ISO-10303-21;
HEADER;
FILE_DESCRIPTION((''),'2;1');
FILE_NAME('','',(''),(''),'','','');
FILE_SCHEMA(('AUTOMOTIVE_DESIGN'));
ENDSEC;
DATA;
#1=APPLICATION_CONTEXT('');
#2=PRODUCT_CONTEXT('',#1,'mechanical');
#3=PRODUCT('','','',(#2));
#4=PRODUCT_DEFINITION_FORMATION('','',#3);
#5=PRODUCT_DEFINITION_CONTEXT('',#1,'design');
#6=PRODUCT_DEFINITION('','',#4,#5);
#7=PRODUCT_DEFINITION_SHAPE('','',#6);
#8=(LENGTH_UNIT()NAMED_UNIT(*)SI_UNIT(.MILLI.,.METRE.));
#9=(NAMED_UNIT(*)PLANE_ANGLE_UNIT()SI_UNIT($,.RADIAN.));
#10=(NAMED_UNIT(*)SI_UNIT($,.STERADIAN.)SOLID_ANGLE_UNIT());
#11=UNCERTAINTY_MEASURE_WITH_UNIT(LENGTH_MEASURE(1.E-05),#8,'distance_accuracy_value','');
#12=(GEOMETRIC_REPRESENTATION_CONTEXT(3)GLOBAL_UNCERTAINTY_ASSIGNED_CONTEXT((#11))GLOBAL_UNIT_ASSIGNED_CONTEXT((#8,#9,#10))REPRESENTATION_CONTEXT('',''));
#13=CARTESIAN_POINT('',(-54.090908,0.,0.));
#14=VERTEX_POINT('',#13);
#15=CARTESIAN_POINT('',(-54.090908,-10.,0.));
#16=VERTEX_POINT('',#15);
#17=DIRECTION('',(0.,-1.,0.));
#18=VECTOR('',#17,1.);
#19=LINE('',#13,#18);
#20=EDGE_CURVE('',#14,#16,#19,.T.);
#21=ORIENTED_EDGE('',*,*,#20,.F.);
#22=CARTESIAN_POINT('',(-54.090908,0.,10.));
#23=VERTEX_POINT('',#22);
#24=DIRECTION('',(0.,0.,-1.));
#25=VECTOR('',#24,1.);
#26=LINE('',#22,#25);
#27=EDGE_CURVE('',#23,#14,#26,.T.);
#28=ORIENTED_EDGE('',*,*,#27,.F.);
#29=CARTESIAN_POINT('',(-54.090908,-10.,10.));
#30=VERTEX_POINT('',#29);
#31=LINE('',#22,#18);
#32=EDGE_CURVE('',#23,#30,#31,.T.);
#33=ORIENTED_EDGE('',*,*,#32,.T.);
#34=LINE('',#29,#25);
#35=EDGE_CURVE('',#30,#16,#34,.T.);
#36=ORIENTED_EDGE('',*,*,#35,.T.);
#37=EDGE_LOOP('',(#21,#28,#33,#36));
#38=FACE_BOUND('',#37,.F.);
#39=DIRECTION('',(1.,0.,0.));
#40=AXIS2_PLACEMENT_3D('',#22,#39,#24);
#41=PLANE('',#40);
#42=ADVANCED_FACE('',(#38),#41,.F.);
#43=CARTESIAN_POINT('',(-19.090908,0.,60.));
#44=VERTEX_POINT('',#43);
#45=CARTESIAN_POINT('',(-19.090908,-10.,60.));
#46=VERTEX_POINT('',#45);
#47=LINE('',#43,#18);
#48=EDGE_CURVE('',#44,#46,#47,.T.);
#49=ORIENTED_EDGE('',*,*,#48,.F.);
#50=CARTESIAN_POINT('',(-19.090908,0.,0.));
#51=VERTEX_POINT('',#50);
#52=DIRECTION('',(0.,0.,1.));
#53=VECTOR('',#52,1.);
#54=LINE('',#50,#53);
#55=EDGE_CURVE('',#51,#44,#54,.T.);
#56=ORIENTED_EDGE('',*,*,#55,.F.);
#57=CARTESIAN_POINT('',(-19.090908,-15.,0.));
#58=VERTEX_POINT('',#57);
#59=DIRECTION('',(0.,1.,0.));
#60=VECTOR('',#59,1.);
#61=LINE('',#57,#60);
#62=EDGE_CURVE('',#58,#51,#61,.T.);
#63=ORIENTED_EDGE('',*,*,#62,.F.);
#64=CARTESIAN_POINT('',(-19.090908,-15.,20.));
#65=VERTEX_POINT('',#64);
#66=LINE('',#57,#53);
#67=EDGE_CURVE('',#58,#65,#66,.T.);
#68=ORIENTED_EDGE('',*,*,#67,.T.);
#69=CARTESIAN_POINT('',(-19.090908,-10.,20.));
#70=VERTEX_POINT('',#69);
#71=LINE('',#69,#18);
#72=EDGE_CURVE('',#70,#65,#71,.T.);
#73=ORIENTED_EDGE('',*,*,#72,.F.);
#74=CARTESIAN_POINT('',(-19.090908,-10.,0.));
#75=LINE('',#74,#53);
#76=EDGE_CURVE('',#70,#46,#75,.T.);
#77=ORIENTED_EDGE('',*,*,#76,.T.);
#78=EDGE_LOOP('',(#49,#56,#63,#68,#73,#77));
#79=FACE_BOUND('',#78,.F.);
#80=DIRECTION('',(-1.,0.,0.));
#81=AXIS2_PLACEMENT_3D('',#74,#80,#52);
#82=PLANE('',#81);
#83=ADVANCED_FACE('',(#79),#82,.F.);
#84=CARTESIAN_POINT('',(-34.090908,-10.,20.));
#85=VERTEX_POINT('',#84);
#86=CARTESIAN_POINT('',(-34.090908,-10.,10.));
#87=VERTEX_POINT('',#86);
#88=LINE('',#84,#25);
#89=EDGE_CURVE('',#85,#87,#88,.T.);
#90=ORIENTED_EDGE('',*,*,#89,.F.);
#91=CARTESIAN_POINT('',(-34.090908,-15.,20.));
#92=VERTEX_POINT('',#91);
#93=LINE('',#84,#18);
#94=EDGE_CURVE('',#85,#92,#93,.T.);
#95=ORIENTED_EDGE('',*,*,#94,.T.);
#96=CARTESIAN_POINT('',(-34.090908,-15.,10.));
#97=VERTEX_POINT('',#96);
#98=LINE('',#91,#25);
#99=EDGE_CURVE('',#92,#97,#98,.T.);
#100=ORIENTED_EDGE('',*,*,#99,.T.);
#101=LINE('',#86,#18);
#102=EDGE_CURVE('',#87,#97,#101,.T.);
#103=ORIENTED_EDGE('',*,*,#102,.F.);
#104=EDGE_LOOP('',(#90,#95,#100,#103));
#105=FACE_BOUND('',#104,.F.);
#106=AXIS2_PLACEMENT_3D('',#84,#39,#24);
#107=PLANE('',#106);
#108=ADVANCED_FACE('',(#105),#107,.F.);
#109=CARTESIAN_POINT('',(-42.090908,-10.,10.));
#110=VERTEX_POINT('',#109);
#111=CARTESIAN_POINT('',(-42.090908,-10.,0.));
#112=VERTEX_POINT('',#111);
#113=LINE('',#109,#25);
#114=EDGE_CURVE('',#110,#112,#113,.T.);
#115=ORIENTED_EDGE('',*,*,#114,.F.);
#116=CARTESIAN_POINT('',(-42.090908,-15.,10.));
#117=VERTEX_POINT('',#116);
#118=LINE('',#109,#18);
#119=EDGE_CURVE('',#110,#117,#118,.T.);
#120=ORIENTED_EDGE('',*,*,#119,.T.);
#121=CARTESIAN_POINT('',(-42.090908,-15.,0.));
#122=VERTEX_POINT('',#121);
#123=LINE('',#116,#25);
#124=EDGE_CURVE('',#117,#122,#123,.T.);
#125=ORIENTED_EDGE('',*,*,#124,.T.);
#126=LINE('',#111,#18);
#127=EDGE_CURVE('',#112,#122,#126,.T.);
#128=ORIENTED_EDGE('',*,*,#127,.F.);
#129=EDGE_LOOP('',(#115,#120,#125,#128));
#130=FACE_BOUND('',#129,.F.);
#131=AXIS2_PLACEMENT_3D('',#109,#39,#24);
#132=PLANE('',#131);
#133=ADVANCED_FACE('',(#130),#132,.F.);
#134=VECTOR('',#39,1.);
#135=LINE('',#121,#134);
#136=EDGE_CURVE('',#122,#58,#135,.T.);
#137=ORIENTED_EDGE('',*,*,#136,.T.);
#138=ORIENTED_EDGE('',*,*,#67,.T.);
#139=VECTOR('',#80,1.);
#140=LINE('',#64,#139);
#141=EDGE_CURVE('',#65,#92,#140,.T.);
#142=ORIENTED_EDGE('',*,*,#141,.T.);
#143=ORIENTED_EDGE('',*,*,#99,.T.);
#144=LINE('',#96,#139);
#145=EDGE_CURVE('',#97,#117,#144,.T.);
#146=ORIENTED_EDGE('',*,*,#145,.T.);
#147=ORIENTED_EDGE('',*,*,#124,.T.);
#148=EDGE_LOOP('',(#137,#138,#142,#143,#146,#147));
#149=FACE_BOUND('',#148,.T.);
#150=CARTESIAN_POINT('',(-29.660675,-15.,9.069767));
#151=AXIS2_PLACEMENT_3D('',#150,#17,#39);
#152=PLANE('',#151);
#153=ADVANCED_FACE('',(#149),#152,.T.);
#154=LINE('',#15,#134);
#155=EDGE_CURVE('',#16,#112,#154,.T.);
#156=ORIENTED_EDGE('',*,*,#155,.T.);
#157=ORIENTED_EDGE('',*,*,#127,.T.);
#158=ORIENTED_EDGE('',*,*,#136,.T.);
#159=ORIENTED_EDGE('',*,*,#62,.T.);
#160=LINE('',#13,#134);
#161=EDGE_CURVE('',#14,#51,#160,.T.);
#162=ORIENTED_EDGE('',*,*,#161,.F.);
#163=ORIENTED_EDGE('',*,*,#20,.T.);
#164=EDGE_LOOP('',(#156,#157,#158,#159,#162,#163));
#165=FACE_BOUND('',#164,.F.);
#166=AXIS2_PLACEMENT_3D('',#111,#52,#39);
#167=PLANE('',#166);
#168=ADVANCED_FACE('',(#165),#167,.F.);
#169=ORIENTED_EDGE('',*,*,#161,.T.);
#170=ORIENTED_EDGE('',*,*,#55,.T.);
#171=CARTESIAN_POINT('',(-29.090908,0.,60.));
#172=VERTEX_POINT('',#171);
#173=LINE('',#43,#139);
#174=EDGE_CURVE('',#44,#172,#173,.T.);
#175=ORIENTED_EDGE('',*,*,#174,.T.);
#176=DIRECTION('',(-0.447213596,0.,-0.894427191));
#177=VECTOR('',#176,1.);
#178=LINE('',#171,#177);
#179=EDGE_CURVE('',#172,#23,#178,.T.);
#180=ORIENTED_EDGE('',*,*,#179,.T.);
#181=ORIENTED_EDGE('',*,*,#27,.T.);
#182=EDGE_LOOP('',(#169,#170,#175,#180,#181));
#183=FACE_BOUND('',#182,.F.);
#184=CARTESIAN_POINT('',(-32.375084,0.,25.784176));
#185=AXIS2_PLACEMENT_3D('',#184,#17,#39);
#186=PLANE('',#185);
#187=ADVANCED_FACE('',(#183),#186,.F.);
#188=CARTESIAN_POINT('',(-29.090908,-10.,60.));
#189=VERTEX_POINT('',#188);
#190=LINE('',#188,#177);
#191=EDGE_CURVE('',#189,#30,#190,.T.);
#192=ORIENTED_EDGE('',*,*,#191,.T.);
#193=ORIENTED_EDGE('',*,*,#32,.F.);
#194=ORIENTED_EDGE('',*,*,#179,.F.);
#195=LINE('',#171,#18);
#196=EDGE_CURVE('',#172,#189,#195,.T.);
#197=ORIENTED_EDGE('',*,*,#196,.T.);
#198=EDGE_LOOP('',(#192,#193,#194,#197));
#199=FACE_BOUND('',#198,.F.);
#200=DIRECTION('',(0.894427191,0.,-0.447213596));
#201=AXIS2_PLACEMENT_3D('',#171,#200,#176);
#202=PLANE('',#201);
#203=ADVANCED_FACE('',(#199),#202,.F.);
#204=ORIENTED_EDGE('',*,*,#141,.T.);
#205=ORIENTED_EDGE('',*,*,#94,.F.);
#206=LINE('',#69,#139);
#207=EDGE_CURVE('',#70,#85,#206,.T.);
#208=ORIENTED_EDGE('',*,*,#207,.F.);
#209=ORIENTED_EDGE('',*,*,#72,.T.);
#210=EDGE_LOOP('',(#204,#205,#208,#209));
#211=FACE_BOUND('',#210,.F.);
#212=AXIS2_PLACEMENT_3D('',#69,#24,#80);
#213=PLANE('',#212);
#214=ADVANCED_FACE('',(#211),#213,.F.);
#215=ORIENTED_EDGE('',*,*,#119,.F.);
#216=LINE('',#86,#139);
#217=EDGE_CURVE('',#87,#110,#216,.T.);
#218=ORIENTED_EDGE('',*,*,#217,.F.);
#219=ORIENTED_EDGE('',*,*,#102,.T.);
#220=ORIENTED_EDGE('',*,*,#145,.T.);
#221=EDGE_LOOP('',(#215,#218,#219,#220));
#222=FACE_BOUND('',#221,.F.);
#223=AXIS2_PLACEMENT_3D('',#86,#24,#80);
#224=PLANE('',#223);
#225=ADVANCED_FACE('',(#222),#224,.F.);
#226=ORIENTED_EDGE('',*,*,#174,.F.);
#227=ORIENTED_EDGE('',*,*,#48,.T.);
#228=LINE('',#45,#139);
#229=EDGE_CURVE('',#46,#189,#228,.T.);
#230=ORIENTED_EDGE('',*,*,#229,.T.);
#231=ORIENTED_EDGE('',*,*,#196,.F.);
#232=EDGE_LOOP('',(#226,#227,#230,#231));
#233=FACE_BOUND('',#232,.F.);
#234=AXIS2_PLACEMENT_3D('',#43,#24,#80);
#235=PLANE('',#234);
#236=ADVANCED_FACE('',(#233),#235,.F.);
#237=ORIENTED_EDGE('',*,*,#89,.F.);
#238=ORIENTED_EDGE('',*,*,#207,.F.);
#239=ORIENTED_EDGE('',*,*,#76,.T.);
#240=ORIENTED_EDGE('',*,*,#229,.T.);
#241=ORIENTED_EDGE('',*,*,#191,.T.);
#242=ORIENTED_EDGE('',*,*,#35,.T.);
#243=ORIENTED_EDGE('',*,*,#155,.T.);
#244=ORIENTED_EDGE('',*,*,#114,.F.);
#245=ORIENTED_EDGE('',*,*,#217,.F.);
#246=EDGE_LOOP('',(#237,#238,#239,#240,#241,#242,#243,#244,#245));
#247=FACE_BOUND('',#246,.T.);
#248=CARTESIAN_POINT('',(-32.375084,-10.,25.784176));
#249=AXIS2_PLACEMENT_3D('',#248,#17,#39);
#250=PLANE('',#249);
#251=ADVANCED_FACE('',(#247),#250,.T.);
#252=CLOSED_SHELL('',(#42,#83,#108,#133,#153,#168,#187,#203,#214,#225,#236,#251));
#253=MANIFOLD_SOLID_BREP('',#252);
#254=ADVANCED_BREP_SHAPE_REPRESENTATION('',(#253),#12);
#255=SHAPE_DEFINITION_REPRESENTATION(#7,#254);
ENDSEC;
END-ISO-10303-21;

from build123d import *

# Parameters (mm, degrees)
F1_DEPTH = 10
F3_DEPTH = 5


with BuildPart() as f1:
    # F0 (on Front) → F1 (new body)
    with BuildSketch(Plane.XZ):
        Polygon((-54.090908, 0), (-19.090908, 0), (-19.090908, 60), (-29.090908, 60), (-54.090908, 10), align=None)
    extrude(amount=F1_DEPTH)

    # F2 (on face) → F3 (join)
    with BuildSketch(Plane.XZ.offset(10)):
        Polygon((-19.090908, 0), (-19.090908, 20), (-34.090908, 20), (-34.090908, 10), (-42.090908, 10), (-42.090908, 0), align=None)
    extrude(amount=F3_DEPTH)


solid = f1.part
